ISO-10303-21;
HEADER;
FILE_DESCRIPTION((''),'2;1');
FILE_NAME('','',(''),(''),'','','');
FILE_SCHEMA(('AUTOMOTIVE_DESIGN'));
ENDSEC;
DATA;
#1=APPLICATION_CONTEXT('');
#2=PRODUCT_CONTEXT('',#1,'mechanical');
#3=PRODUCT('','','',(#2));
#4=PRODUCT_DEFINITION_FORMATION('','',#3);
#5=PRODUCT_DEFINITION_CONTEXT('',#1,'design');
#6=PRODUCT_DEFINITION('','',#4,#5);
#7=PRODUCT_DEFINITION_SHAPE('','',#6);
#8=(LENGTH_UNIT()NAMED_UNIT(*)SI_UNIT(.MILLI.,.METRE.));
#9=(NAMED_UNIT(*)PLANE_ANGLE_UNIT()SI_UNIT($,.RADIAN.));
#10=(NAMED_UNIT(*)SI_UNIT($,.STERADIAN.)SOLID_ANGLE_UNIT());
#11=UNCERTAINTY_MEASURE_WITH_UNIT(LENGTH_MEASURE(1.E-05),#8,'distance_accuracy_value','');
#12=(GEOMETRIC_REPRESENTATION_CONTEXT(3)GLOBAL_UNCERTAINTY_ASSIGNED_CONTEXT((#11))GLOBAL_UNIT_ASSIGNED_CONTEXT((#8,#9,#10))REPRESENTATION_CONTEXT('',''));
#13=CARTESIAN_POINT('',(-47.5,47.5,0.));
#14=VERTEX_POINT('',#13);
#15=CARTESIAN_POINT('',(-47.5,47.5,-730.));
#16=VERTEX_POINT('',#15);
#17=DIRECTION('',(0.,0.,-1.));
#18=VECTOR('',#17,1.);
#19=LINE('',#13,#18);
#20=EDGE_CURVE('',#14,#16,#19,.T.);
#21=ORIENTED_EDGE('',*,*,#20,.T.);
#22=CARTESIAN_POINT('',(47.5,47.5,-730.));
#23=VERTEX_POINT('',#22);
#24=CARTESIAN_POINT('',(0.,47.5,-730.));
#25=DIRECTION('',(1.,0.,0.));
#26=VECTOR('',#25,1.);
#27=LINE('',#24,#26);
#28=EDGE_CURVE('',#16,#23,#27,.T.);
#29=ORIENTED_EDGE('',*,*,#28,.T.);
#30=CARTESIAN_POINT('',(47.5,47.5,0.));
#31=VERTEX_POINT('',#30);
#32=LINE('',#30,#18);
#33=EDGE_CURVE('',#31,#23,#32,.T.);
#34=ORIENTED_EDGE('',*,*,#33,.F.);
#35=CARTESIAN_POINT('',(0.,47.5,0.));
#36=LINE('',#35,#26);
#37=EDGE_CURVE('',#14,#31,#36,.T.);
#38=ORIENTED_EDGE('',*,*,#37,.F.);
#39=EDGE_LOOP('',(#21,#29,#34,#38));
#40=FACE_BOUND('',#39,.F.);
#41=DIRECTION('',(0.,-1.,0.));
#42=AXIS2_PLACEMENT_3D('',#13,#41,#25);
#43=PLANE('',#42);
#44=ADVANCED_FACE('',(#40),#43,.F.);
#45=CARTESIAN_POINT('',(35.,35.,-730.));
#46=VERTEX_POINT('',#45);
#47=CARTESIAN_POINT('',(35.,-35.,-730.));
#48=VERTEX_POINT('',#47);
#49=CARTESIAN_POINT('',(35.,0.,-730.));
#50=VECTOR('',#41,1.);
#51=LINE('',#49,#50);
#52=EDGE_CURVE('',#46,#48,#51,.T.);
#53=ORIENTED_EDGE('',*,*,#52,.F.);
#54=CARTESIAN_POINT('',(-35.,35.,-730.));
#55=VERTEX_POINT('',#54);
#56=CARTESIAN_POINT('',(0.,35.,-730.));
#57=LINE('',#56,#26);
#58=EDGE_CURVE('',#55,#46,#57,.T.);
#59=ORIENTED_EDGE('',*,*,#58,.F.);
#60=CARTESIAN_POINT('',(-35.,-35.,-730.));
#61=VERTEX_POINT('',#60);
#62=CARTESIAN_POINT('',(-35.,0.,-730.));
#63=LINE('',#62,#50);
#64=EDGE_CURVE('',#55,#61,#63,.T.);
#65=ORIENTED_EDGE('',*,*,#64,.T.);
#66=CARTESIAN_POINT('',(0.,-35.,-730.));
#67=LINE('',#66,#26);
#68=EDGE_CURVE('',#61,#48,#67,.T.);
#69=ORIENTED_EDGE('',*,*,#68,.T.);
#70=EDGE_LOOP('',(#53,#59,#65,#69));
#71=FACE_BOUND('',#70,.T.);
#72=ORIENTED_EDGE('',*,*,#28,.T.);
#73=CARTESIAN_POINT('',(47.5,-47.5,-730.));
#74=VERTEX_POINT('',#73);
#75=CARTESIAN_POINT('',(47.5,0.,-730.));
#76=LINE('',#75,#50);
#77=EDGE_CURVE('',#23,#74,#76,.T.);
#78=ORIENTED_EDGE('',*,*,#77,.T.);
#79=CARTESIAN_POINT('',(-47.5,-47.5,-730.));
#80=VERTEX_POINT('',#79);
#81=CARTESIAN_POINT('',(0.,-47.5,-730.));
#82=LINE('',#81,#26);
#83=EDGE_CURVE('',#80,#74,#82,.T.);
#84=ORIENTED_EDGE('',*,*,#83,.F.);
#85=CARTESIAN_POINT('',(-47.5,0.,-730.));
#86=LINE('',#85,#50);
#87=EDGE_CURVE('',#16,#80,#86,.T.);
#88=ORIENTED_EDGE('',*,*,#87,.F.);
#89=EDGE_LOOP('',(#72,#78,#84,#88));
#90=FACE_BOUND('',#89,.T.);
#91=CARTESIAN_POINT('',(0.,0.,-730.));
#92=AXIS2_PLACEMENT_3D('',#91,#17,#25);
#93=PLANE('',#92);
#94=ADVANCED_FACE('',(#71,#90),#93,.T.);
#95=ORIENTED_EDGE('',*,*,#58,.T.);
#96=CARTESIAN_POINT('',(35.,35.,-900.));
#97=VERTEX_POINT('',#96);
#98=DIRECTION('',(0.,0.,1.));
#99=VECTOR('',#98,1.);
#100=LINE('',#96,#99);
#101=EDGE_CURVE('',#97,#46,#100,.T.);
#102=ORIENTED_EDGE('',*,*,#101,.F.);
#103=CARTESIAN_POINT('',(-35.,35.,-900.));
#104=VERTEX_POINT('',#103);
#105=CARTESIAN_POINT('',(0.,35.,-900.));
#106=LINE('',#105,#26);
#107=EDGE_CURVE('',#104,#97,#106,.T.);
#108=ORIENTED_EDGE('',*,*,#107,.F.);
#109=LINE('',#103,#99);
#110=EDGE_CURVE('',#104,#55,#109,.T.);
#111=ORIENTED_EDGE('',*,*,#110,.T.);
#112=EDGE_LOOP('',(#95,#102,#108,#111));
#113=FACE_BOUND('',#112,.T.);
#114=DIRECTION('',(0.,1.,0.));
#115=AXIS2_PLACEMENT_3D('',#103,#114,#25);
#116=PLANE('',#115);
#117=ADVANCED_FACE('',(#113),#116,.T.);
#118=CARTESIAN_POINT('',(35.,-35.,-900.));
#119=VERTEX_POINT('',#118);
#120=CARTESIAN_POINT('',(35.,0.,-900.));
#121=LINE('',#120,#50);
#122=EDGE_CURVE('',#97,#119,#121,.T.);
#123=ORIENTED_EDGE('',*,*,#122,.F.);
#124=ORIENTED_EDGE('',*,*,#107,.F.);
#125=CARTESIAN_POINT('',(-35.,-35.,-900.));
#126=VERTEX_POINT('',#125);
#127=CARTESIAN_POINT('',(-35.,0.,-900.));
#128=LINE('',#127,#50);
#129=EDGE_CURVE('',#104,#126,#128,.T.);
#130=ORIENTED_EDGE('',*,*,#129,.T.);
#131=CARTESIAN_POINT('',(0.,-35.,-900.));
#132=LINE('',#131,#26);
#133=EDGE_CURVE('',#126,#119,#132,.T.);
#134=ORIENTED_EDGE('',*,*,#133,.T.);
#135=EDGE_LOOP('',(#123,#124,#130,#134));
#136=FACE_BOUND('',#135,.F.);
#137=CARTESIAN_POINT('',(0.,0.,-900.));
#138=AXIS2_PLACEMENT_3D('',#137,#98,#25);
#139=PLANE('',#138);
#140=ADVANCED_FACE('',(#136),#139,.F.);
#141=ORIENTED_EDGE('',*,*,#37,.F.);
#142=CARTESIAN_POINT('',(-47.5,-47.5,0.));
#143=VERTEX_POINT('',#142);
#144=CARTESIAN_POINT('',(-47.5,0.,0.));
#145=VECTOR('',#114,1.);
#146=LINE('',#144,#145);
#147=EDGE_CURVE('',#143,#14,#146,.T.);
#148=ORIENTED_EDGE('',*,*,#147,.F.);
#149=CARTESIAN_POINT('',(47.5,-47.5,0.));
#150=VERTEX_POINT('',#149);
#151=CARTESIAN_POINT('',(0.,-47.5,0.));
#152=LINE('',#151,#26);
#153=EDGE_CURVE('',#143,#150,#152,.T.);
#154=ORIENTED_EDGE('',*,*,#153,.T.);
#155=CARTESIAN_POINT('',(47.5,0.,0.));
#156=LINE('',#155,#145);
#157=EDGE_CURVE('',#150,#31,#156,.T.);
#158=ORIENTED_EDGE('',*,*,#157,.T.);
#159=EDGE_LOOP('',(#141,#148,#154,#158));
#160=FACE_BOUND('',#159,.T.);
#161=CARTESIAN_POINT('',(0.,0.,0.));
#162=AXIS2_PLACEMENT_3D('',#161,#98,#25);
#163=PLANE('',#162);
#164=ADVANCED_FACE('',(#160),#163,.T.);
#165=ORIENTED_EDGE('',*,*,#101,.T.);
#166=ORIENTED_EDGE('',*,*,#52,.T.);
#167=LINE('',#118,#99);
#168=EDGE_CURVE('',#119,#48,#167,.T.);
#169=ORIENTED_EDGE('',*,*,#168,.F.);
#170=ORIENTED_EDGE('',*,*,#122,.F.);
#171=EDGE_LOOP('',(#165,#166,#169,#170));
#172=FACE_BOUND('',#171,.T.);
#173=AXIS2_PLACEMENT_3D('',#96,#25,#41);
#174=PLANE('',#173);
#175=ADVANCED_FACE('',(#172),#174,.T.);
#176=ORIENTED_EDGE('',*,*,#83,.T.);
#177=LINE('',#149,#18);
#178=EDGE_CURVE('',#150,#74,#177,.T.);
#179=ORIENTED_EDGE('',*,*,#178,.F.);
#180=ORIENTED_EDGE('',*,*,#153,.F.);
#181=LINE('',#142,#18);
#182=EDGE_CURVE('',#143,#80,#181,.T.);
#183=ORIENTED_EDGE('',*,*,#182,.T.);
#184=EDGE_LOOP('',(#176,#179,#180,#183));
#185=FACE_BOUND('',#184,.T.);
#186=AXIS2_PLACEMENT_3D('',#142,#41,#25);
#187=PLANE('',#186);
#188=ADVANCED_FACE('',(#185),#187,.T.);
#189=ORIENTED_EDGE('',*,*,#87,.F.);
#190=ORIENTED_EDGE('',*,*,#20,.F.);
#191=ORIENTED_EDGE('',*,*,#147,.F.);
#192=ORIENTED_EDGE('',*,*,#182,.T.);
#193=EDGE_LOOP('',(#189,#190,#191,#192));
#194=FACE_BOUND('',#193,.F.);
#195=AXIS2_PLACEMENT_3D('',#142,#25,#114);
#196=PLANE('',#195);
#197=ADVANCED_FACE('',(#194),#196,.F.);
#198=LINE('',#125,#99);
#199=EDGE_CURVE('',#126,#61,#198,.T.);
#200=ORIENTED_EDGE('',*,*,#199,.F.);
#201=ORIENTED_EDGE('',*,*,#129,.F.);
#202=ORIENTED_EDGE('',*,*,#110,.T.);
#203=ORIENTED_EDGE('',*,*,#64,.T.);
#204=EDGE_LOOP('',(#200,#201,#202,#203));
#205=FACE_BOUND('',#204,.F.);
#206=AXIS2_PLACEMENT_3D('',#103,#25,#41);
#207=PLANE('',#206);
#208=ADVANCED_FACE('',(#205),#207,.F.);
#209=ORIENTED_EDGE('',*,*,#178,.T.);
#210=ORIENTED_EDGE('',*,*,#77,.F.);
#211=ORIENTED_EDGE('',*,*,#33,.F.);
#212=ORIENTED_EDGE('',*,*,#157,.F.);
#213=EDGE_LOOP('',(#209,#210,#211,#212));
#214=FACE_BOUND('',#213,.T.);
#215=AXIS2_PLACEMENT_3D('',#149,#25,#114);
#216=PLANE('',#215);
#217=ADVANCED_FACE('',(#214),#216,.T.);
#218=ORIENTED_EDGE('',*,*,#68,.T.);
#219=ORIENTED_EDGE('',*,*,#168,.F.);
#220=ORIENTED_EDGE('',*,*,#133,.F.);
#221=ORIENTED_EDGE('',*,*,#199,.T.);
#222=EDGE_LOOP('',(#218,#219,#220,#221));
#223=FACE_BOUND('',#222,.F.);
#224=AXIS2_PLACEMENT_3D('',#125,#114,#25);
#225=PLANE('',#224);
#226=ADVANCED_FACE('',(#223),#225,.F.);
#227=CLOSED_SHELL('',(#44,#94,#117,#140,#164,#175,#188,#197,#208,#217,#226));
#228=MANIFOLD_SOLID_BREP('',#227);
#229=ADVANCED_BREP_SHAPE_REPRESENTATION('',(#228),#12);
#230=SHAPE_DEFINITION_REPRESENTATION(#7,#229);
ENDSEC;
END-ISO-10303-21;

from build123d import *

# Parameters (mm, degrees)
F0_W     = 95
F0_H     = 95
F1_DEPTH = 900
F2_W     = 95
F2_H     = 95
F2_W_2   = 70
F2_H_2   = 70
F3_DEPTH = 170


with BuildPart() as f1:
    # F0 (on Top) → F1 (new body)
    with BuildSketch(Plane.XY):
        Rectangle(F0_W, F0_H)
    extrude(amount=-F1_DEPTH)

    # F2 (on face) → F3 (cut)
    with BuildSketch(Plane(origin=(0, 0, -900), x_dir=(1, 0, 0), z_dir=(0, 0, -1))):
        Rectangle(F2_W, F2_H)
        Rectangle(F2_W_2, F2_H_2, mode=Mode.SUBTRACT)
    extrude(amount=-F3_DEPTH, mode=Mode.SUBTRACT)


solid = f1.part
